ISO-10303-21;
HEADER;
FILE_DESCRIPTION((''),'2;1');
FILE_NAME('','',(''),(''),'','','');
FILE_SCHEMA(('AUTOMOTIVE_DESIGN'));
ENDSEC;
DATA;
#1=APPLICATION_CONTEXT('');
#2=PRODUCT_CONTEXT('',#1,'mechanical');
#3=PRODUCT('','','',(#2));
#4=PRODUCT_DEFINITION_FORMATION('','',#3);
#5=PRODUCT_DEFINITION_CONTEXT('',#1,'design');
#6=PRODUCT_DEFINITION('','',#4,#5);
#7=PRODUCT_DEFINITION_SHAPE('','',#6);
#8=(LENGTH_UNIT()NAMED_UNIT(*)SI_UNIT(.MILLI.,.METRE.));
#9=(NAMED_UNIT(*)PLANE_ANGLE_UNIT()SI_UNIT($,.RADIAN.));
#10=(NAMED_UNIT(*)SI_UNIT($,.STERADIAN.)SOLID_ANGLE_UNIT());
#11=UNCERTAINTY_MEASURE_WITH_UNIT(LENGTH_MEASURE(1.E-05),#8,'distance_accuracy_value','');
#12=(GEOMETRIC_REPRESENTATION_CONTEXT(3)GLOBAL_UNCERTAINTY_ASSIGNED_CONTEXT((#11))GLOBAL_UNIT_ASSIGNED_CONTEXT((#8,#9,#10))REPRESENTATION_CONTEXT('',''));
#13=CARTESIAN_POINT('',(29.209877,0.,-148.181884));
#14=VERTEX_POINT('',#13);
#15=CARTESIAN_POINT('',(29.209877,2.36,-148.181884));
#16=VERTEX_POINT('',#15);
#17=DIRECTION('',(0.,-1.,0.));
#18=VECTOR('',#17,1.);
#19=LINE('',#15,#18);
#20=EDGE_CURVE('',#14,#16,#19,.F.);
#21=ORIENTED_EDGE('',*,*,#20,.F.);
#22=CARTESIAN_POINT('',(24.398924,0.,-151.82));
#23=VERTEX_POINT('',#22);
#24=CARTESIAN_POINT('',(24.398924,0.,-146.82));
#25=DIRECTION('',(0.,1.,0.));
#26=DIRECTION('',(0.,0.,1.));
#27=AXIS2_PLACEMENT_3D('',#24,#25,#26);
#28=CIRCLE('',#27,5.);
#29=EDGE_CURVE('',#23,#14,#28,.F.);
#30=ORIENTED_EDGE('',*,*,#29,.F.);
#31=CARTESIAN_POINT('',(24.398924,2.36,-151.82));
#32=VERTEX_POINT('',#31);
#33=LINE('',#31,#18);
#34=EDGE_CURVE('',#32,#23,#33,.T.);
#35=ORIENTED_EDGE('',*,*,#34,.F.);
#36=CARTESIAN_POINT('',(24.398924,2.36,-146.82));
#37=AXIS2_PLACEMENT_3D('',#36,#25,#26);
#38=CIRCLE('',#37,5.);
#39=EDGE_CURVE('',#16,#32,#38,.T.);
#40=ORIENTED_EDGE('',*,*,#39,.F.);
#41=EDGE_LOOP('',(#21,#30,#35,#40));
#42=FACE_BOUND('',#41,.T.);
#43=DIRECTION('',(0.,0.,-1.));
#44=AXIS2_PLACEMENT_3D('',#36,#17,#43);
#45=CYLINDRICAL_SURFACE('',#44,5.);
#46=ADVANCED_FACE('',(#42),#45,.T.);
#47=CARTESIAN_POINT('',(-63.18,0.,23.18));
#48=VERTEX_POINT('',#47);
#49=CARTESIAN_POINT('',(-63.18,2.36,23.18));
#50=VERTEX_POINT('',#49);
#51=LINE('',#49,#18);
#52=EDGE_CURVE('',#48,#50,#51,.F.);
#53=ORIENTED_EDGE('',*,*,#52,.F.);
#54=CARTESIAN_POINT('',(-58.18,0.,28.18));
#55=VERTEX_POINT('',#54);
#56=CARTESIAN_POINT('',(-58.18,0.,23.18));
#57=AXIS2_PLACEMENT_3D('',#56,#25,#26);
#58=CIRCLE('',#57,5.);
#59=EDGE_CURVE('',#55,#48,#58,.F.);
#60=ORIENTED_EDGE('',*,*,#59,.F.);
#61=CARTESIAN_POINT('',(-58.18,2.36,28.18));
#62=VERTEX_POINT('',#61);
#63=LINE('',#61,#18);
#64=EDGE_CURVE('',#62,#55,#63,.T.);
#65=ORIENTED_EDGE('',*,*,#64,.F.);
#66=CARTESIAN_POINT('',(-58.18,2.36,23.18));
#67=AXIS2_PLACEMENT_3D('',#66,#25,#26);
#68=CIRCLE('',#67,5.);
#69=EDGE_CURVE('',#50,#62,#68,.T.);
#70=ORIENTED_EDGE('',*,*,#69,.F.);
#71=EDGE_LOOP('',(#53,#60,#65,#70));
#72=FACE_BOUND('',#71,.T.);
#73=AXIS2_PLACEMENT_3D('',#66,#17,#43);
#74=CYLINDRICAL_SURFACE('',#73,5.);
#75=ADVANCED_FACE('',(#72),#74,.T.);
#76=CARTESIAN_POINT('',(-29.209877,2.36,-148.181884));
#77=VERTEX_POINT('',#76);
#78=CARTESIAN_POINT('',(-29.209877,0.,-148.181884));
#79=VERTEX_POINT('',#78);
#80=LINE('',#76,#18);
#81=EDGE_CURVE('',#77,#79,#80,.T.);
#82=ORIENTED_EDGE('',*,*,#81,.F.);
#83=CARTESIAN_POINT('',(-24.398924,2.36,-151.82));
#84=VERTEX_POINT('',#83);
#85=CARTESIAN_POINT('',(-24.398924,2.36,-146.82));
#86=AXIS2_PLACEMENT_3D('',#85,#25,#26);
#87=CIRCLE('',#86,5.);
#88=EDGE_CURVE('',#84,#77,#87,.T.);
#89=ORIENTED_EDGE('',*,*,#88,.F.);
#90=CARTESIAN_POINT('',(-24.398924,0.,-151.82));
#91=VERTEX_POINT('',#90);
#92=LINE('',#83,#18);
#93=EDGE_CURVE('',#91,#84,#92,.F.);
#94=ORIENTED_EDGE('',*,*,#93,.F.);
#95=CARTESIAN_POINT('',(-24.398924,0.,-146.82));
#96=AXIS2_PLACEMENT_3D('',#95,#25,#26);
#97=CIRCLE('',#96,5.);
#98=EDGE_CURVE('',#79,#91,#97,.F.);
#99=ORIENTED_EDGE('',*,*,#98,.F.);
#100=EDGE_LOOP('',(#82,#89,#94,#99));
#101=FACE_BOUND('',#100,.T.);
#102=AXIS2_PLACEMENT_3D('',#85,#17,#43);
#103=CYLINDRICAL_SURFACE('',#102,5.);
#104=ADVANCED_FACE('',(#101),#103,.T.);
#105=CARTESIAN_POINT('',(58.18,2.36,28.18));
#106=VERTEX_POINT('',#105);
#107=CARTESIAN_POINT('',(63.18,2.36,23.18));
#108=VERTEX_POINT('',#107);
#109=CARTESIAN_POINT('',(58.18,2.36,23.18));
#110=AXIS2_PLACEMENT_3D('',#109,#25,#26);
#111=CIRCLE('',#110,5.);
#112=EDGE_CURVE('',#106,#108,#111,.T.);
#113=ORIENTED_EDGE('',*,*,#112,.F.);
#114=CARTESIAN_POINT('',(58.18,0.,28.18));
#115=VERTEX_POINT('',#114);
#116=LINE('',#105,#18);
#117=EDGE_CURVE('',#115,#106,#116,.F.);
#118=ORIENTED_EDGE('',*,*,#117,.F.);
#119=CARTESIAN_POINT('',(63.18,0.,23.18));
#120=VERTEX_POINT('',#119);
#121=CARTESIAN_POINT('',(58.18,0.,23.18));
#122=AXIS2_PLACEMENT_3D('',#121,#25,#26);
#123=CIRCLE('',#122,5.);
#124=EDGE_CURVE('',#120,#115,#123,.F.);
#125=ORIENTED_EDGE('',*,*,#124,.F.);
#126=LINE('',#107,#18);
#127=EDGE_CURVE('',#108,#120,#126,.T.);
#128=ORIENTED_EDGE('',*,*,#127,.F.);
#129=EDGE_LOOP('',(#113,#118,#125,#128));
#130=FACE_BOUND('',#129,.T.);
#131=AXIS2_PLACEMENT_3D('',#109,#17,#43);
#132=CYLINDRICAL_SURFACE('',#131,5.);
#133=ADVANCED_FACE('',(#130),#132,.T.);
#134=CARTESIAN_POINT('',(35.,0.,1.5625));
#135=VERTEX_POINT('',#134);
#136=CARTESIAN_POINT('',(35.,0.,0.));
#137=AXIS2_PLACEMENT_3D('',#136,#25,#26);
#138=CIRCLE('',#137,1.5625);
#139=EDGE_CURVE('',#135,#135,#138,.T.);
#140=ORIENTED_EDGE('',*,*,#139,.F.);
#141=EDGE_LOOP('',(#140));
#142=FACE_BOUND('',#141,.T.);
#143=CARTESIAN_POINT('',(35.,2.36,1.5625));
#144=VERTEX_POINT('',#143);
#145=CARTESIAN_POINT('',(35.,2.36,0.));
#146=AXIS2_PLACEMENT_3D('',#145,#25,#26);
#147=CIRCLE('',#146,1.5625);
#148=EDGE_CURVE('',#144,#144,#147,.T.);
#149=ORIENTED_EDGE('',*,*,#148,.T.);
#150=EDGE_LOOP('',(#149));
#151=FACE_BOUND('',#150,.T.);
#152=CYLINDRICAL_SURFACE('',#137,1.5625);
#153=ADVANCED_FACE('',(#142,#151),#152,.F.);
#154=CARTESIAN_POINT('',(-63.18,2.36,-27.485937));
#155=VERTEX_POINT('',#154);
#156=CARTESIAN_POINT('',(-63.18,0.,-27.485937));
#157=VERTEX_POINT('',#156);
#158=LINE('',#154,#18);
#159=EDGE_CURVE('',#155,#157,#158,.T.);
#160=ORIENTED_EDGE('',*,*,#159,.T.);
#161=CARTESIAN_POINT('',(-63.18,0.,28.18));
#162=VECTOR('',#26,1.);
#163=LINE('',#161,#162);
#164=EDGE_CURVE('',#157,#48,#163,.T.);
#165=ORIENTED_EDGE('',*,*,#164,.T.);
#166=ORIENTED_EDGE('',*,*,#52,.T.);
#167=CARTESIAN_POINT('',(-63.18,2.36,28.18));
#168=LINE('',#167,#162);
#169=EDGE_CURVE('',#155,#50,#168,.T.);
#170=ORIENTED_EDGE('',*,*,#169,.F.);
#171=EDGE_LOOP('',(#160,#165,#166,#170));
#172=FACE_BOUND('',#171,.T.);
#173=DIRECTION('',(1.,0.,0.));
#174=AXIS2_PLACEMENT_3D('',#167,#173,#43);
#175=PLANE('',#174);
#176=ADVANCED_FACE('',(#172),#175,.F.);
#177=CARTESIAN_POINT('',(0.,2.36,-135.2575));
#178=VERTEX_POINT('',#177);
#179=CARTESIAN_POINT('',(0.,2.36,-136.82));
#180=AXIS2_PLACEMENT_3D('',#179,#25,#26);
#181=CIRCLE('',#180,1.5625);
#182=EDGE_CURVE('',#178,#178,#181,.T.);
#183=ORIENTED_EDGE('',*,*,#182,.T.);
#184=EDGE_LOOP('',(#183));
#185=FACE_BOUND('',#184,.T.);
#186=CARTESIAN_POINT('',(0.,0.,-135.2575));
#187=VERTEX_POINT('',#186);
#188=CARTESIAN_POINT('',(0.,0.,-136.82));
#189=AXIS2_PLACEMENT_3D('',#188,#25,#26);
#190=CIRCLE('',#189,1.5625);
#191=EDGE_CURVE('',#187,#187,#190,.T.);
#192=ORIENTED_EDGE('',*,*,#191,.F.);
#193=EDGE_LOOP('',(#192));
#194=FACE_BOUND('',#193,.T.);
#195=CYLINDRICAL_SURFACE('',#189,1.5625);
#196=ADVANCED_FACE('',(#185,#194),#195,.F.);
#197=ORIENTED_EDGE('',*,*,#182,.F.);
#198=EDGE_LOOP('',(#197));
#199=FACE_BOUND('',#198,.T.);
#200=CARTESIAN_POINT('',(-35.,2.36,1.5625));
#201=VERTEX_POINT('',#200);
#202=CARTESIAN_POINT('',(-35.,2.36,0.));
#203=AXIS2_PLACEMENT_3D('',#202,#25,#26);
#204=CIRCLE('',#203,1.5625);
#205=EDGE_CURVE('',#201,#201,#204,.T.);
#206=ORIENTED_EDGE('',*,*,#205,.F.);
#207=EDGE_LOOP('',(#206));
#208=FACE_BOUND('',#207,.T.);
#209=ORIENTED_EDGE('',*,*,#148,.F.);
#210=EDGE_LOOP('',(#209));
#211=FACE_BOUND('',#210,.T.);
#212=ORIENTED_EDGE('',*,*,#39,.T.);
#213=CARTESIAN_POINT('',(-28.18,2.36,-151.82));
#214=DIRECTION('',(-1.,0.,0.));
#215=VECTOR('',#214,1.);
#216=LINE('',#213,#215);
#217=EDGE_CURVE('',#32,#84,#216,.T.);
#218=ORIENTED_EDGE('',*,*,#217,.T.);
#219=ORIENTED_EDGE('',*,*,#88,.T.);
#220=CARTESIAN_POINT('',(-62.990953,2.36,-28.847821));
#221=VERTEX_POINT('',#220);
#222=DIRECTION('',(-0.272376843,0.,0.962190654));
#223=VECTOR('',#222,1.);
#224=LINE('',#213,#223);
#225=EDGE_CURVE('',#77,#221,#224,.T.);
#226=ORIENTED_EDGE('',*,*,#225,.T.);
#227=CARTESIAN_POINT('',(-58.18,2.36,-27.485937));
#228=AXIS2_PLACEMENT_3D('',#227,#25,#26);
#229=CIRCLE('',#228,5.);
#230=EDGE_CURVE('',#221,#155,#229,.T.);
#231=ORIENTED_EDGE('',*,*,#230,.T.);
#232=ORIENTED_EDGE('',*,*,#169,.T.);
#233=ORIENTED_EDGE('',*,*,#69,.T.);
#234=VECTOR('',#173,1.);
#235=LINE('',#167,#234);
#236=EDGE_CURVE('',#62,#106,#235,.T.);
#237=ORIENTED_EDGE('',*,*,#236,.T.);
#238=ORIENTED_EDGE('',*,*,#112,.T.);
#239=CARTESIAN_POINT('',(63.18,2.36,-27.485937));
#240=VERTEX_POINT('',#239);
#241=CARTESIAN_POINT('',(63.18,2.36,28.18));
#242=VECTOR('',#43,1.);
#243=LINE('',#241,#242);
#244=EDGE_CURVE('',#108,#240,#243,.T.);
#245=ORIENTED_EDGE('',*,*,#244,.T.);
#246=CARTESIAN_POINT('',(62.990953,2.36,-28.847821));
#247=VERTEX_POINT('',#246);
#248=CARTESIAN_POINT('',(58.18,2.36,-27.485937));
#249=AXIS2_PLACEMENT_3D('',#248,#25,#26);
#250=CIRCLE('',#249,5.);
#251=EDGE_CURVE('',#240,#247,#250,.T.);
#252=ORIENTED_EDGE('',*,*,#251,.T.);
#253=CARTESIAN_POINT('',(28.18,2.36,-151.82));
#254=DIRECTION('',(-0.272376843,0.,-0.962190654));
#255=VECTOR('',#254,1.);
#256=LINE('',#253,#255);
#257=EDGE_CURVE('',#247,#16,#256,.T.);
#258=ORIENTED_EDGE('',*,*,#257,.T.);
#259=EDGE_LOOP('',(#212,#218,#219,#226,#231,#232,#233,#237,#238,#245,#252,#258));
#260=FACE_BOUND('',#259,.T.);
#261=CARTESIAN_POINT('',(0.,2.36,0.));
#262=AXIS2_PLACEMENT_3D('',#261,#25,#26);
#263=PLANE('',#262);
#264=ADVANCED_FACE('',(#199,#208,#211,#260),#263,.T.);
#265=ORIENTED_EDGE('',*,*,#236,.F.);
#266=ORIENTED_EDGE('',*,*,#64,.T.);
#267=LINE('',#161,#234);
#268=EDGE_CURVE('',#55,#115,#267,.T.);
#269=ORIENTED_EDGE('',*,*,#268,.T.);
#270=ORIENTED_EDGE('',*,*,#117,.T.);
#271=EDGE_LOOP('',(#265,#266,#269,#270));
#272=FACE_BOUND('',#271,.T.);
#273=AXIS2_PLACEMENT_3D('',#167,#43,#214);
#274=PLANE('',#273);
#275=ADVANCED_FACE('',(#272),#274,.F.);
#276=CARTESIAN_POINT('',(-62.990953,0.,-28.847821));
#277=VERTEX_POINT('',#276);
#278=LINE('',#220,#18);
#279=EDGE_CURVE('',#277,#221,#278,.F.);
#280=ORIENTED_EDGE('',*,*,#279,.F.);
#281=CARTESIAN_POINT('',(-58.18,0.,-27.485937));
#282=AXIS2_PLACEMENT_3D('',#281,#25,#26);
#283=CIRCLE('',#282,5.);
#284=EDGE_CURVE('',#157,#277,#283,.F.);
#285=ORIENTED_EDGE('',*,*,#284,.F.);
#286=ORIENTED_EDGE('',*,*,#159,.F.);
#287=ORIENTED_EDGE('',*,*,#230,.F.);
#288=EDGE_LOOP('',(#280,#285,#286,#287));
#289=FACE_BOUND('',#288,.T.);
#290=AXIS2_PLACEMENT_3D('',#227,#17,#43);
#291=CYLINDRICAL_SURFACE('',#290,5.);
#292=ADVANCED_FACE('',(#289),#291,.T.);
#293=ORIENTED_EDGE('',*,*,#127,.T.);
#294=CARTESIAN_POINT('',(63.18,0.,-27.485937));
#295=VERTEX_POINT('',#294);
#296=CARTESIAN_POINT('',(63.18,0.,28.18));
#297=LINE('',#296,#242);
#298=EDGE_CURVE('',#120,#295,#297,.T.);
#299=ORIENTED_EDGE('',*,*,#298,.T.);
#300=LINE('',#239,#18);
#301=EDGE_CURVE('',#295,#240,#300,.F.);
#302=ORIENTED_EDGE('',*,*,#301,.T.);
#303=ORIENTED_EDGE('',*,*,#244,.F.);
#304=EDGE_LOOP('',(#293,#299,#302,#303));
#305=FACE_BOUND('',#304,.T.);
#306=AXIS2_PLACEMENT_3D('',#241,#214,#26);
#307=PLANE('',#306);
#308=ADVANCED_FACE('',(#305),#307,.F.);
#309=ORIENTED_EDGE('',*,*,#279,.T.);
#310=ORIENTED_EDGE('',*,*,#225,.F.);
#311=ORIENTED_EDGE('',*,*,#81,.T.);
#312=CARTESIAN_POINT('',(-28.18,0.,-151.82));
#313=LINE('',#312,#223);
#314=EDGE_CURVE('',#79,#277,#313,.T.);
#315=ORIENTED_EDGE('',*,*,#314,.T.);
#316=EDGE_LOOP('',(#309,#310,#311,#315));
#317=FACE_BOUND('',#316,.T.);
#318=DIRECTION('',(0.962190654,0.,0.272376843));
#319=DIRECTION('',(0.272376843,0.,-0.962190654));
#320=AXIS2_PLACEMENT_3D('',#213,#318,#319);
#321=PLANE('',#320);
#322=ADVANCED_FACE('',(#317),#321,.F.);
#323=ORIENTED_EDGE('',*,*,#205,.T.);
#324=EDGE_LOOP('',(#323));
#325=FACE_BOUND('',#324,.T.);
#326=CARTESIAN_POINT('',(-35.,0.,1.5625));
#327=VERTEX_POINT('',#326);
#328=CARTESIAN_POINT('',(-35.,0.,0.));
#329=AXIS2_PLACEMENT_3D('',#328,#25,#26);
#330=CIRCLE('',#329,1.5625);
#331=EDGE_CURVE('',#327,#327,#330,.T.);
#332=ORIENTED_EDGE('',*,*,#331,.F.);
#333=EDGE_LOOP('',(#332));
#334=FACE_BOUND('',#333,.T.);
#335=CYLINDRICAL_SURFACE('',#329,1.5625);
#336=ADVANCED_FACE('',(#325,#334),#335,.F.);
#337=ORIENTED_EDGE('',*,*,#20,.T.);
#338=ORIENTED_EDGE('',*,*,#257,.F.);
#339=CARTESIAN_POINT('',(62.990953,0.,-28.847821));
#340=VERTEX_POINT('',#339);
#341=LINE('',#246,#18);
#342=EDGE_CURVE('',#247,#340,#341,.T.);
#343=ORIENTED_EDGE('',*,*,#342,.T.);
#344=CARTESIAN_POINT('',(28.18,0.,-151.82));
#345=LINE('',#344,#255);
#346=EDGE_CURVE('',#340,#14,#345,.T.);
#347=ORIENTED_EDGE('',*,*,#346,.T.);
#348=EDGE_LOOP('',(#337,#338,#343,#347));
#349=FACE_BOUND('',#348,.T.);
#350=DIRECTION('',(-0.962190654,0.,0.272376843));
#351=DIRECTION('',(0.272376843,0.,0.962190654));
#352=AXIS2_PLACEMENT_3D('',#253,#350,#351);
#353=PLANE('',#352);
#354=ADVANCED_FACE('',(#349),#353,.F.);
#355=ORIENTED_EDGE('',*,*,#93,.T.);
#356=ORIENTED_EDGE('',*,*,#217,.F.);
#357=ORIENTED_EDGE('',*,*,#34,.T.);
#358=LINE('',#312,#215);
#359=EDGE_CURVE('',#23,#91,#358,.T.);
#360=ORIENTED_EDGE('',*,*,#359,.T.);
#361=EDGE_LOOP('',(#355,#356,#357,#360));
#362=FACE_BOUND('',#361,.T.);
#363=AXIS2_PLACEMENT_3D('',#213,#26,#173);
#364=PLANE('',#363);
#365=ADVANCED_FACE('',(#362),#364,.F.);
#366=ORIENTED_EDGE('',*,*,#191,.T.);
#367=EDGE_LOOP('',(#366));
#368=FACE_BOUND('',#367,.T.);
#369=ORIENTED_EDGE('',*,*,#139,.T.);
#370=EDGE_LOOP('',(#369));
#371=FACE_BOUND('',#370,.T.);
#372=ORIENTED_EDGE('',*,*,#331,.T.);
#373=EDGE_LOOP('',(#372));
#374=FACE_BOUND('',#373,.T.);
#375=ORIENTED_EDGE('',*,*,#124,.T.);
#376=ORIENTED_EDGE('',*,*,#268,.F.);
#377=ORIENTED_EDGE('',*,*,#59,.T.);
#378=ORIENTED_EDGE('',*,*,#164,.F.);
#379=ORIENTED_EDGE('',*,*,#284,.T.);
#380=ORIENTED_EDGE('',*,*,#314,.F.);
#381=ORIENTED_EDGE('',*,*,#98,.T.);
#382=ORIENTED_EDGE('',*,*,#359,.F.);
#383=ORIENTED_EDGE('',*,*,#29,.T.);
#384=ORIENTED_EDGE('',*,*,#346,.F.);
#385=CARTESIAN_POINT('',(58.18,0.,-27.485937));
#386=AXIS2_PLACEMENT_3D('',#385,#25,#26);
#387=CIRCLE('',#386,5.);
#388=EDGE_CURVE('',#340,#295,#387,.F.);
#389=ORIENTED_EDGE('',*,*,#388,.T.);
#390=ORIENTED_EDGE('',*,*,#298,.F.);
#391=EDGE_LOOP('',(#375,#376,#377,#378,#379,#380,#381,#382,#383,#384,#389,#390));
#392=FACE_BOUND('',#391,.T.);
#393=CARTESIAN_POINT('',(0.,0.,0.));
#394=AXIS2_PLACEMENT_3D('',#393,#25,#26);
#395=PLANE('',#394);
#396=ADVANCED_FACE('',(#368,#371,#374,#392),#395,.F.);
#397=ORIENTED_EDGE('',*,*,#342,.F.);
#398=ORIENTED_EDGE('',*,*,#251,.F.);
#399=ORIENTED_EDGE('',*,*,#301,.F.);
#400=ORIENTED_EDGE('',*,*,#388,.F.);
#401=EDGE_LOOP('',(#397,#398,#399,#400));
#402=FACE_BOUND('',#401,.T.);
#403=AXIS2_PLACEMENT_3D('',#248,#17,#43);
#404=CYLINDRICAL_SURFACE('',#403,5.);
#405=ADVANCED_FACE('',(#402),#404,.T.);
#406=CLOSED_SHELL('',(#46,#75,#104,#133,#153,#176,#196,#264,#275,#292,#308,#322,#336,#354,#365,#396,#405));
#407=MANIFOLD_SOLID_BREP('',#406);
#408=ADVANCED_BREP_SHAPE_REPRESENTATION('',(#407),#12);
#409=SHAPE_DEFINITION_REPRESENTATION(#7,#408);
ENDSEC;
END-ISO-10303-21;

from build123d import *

# Parameters (mm, degrees)
BOSS_EXTRUDE1_DEPTH = 2.36
FILLET1_R           = 5
SKETCH4_R           = 1.5625
CUT_EXTRUDE1_DEPTH  = 3.36


with BuildPart() as part:
    # Sketch3 → Boss-Extrude1 (new body)
    with BuildSketch(Plane(origin=(0, 0, 0), x_dir=(1, 0, 0), z_dir=(0, 1, 0))):
        Polygon((-63.18, -28.18), (63.18, -28.18), (63.18, 28.18), (28.18, 151.82), (-28.18, 151.82), (-63.18, 28.18), align=None)
    extrude(amount=BOSS_EXTRUDE1_DEPTH)

    # Fillet1
    fillet1_edges = [part.edges().sort_by_distance(p)[0] for p in [
        (63.18, 1.18, -28.18),
        (63.18, 1.18, 28.18),
        (-63.18, 1.18, 28.18),
        (-63.18, 1.18, -28.18),
        (-28.18, 1.18, -151.82),
        (28.18, 1.18, -151.82),
    ]]
    fillet(fillet1_edges, radius=FILLET1_R)

    # Sketch4 → Cut-Extrude1 (cut, through all)
    with BuildSketch(Plane(origin=(0, 2.36, 0), x_dir=(1, 0, 0), z_dir=(0, 1, 0))):
        with Locations((-35, 0)):
            Circle(SKETCH4_R)
        with Locations((35, 0)):
            Circle(SKETCH4_R)
        with Locations((0, 136.82)):
            Circle(SKETCH4_R)
    extrude(amount=-CUT_EXTRUDE1_DEPTH, mode=Mode.SUBTRACT)


solid = part.part
